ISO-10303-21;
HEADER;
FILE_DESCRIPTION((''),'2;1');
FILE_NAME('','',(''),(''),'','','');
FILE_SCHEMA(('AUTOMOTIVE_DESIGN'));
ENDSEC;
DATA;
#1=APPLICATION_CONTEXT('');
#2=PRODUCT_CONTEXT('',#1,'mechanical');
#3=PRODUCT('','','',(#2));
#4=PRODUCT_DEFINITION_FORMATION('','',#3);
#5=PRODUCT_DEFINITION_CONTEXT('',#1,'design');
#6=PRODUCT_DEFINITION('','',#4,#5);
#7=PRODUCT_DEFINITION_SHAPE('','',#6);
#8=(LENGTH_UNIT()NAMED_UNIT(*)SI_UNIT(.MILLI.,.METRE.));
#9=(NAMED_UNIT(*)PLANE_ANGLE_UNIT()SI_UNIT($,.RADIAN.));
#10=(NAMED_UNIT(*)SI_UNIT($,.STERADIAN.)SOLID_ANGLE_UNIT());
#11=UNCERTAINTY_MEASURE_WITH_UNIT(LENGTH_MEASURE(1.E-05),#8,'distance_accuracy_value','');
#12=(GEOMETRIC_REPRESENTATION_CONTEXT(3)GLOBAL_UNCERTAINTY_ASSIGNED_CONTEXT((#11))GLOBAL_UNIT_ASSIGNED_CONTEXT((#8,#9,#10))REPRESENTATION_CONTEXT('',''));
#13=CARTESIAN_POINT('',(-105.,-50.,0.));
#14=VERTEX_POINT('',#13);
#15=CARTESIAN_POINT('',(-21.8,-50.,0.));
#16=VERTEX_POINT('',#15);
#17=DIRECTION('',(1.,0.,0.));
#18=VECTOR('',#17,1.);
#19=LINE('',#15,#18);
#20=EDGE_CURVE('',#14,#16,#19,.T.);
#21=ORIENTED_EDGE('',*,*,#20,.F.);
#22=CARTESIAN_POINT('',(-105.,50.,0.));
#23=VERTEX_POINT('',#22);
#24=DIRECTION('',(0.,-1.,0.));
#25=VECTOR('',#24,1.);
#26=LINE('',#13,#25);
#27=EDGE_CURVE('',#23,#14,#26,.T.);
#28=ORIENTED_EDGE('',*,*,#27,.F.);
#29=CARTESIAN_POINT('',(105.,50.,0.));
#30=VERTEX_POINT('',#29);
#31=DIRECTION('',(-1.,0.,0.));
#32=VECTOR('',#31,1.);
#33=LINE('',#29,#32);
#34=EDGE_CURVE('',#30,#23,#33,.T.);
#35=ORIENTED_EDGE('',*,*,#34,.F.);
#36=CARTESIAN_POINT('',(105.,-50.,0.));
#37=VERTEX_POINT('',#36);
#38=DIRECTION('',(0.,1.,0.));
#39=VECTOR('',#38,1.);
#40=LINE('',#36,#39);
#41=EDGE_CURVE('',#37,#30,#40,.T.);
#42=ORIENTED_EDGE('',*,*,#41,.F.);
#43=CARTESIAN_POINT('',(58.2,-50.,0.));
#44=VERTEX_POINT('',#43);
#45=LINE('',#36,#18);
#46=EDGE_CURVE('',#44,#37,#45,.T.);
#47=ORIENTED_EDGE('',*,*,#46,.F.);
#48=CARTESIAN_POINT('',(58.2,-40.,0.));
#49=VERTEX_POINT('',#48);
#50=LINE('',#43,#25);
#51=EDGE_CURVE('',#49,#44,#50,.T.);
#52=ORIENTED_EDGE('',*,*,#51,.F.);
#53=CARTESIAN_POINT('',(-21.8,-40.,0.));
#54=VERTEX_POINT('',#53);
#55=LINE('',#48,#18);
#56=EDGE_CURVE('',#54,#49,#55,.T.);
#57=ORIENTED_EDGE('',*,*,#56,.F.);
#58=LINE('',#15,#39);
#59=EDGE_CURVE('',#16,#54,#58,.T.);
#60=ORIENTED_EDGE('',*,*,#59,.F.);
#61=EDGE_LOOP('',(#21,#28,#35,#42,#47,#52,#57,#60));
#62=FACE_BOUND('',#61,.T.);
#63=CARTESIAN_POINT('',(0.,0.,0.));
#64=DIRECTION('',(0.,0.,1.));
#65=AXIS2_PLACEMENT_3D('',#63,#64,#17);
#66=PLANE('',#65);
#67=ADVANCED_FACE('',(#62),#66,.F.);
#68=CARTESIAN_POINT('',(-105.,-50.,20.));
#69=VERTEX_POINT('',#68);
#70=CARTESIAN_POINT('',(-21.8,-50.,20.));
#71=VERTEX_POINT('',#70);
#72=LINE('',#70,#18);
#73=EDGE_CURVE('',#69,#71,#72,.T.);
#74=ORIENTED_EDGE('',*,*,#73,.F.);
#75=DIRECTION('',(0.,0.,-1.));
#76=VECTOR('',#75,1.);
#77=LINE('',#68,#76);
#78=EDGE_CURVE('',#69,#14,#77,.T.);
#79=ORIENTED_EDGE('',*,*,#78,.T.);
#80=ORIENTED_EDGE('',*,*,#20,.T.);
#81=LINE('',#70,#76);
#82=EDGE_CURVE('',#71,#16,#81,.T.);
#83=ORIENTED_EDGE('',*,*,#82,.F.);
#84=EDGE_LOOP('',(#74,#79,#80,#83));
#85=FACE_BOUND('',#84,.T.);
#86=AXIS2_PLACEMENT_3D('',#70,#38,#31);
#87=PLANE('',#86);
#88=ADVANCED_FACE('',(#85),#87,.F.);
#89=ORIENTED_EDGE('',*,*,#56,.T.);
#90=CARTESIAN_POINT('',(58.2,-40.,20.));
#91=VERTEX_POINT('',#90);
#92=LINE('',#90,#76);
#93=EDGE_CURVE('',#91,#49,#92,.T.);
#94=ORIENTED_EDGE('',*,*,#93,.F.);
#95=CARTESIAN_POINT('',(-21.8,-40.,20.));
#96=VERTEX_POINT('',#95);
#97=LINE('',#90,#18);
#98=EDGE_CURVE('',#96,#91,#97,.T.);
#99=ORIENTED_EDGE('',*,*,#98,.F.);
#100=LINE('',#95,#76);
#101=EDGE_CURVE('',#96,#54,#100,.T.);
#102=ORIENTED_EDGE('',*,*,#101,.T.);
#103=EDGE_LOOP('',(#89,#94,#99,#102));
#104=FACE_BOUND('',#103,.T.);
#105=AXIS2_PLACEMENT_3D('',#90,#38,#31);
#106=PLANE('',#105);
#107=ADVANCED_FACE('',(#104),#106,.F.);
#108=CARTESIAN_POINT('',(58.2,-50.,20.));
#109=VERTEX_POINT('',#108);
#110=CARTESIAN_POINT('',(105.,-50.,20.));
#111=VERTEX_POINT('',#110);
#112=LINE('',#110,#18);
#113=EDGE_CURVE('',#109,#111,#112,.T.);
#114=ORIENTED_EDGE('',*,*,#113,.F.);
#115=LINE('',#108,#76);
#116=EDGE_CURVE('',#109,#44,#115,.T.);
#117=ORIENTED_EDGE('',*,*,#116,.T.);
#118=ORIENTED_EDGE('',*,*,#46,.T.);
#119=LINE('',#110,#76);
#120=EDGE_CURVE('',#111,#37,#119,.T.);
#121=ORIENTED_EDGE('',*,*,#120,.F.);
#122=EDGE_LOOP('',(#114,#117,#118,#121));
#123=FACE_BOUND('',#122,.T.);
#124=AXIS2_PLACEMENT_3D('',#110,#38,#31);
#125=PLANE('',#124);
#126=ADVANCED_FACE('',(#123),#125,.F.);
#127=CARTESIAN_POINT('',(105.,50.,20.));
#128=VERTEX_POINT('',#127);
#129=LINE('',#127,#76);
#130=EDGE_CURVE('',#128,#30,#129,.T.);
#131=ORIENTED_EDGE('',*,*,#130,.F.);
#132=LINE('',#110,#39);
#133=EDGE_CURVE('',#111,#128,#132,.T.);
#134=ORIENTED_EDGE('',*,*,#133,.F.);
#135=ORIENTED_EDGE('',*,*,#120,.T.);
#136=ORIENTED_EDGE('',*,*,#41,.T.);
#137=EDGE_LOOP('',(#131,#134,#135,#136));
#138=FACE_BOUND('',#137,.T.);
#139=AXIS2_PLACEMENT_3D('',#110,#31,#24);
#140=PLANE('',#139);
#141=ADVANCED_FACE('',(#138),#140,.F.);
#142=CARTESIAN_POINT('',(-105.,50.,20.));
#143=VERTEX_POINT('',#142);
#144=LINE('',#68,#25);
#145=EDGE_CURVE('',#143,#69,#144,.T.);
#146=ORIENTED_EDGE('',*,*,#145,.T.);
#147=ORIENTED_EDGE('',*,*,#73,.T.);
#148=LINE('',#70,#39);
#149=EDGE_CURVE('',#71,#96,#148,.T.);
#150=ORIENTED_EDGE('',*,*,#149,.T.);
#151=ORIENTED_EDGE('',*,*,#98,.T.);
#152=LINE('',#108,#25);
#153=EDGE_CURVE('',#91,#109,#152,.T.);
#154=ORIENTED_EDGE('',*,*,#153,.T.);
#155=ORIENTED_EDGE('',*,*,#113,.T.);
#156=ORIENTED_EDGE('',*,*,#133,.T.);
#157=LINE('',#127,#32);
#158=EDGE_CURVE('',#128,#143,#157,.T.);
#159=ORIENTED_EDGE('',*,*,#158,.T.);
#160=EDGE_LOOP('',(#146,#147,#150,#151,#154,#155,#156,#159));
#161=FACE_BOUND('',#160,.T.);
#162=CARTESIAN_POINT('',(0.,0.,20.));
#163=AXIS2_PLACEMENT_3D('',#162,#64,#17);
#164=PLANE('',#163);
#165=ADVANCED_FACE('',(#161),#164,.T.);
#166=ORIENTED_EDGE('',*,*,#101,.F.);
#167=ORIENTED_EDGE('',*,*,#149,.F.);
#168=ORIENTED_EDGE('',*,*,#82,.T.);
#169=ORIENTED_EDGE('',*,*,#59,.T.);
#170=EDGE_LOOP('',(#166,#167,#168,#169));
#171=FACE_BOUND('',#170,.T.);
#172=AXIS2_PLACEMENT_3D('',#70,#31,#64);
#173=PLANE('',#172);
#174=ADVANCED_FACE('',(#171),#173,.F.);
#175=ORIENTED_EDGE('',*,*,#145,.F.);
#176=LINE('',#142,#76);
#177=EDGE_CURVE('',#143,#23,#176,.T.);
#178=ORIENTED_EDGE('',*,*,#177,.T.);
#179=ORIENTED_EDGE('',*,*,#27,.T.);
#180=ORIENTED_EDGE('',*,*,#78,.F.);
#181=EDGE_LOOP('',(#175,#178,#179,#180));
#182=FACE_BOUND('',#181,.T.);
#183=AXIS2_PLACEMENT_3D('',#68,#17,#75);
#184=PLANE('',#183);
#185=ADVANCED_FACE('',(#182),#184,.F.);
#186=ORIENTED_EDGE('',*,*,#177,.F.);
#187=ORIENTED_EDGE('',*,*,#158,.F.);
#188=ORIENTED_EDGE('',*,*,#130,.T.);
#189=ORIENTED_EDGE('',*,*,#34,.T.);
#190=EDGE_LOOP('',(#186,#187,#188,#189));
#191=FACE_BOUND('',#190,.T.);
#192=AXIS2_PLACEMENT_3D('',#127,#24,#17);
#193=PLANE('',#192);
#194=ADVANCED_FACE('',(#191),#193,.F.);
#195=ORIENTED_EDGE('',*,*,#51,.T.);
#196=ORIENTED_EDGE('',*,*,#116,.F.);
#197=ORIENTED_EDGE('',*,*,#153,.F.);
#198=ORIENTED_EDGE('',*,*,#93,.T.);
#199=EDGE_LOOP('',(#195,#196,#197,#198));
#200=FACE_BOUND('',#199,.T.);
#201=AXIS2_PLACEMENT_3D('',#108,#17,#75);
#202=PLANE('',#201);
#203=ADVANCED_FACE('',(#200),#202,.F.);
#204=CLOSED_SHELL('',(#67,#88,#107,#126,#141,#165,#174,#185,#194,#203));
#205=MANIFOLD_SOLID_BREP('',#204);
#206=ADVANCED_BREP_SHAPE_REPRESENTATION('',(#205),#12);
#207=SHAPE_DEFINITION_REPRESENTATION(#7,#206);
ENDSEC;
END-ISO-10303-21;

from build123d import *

# Parameters (mm, degrees)
BOSS_EXTRUDE1_DEPTH = 20


with BuildPart() as part:
    # Sketch1 → Boss-Extrude1 (new body)
    with BuildSketch(Plane.XY):
        Polygon((-21.8, -50), (-105, -50), (-105, 50), (105, 50), (105, -50), (58.2, -50), (58.2, -40), (-21.8, -40), align=None)
    extrude(amount=BOSS_EXTRUDE1_DEPTH)


solid = part.part
